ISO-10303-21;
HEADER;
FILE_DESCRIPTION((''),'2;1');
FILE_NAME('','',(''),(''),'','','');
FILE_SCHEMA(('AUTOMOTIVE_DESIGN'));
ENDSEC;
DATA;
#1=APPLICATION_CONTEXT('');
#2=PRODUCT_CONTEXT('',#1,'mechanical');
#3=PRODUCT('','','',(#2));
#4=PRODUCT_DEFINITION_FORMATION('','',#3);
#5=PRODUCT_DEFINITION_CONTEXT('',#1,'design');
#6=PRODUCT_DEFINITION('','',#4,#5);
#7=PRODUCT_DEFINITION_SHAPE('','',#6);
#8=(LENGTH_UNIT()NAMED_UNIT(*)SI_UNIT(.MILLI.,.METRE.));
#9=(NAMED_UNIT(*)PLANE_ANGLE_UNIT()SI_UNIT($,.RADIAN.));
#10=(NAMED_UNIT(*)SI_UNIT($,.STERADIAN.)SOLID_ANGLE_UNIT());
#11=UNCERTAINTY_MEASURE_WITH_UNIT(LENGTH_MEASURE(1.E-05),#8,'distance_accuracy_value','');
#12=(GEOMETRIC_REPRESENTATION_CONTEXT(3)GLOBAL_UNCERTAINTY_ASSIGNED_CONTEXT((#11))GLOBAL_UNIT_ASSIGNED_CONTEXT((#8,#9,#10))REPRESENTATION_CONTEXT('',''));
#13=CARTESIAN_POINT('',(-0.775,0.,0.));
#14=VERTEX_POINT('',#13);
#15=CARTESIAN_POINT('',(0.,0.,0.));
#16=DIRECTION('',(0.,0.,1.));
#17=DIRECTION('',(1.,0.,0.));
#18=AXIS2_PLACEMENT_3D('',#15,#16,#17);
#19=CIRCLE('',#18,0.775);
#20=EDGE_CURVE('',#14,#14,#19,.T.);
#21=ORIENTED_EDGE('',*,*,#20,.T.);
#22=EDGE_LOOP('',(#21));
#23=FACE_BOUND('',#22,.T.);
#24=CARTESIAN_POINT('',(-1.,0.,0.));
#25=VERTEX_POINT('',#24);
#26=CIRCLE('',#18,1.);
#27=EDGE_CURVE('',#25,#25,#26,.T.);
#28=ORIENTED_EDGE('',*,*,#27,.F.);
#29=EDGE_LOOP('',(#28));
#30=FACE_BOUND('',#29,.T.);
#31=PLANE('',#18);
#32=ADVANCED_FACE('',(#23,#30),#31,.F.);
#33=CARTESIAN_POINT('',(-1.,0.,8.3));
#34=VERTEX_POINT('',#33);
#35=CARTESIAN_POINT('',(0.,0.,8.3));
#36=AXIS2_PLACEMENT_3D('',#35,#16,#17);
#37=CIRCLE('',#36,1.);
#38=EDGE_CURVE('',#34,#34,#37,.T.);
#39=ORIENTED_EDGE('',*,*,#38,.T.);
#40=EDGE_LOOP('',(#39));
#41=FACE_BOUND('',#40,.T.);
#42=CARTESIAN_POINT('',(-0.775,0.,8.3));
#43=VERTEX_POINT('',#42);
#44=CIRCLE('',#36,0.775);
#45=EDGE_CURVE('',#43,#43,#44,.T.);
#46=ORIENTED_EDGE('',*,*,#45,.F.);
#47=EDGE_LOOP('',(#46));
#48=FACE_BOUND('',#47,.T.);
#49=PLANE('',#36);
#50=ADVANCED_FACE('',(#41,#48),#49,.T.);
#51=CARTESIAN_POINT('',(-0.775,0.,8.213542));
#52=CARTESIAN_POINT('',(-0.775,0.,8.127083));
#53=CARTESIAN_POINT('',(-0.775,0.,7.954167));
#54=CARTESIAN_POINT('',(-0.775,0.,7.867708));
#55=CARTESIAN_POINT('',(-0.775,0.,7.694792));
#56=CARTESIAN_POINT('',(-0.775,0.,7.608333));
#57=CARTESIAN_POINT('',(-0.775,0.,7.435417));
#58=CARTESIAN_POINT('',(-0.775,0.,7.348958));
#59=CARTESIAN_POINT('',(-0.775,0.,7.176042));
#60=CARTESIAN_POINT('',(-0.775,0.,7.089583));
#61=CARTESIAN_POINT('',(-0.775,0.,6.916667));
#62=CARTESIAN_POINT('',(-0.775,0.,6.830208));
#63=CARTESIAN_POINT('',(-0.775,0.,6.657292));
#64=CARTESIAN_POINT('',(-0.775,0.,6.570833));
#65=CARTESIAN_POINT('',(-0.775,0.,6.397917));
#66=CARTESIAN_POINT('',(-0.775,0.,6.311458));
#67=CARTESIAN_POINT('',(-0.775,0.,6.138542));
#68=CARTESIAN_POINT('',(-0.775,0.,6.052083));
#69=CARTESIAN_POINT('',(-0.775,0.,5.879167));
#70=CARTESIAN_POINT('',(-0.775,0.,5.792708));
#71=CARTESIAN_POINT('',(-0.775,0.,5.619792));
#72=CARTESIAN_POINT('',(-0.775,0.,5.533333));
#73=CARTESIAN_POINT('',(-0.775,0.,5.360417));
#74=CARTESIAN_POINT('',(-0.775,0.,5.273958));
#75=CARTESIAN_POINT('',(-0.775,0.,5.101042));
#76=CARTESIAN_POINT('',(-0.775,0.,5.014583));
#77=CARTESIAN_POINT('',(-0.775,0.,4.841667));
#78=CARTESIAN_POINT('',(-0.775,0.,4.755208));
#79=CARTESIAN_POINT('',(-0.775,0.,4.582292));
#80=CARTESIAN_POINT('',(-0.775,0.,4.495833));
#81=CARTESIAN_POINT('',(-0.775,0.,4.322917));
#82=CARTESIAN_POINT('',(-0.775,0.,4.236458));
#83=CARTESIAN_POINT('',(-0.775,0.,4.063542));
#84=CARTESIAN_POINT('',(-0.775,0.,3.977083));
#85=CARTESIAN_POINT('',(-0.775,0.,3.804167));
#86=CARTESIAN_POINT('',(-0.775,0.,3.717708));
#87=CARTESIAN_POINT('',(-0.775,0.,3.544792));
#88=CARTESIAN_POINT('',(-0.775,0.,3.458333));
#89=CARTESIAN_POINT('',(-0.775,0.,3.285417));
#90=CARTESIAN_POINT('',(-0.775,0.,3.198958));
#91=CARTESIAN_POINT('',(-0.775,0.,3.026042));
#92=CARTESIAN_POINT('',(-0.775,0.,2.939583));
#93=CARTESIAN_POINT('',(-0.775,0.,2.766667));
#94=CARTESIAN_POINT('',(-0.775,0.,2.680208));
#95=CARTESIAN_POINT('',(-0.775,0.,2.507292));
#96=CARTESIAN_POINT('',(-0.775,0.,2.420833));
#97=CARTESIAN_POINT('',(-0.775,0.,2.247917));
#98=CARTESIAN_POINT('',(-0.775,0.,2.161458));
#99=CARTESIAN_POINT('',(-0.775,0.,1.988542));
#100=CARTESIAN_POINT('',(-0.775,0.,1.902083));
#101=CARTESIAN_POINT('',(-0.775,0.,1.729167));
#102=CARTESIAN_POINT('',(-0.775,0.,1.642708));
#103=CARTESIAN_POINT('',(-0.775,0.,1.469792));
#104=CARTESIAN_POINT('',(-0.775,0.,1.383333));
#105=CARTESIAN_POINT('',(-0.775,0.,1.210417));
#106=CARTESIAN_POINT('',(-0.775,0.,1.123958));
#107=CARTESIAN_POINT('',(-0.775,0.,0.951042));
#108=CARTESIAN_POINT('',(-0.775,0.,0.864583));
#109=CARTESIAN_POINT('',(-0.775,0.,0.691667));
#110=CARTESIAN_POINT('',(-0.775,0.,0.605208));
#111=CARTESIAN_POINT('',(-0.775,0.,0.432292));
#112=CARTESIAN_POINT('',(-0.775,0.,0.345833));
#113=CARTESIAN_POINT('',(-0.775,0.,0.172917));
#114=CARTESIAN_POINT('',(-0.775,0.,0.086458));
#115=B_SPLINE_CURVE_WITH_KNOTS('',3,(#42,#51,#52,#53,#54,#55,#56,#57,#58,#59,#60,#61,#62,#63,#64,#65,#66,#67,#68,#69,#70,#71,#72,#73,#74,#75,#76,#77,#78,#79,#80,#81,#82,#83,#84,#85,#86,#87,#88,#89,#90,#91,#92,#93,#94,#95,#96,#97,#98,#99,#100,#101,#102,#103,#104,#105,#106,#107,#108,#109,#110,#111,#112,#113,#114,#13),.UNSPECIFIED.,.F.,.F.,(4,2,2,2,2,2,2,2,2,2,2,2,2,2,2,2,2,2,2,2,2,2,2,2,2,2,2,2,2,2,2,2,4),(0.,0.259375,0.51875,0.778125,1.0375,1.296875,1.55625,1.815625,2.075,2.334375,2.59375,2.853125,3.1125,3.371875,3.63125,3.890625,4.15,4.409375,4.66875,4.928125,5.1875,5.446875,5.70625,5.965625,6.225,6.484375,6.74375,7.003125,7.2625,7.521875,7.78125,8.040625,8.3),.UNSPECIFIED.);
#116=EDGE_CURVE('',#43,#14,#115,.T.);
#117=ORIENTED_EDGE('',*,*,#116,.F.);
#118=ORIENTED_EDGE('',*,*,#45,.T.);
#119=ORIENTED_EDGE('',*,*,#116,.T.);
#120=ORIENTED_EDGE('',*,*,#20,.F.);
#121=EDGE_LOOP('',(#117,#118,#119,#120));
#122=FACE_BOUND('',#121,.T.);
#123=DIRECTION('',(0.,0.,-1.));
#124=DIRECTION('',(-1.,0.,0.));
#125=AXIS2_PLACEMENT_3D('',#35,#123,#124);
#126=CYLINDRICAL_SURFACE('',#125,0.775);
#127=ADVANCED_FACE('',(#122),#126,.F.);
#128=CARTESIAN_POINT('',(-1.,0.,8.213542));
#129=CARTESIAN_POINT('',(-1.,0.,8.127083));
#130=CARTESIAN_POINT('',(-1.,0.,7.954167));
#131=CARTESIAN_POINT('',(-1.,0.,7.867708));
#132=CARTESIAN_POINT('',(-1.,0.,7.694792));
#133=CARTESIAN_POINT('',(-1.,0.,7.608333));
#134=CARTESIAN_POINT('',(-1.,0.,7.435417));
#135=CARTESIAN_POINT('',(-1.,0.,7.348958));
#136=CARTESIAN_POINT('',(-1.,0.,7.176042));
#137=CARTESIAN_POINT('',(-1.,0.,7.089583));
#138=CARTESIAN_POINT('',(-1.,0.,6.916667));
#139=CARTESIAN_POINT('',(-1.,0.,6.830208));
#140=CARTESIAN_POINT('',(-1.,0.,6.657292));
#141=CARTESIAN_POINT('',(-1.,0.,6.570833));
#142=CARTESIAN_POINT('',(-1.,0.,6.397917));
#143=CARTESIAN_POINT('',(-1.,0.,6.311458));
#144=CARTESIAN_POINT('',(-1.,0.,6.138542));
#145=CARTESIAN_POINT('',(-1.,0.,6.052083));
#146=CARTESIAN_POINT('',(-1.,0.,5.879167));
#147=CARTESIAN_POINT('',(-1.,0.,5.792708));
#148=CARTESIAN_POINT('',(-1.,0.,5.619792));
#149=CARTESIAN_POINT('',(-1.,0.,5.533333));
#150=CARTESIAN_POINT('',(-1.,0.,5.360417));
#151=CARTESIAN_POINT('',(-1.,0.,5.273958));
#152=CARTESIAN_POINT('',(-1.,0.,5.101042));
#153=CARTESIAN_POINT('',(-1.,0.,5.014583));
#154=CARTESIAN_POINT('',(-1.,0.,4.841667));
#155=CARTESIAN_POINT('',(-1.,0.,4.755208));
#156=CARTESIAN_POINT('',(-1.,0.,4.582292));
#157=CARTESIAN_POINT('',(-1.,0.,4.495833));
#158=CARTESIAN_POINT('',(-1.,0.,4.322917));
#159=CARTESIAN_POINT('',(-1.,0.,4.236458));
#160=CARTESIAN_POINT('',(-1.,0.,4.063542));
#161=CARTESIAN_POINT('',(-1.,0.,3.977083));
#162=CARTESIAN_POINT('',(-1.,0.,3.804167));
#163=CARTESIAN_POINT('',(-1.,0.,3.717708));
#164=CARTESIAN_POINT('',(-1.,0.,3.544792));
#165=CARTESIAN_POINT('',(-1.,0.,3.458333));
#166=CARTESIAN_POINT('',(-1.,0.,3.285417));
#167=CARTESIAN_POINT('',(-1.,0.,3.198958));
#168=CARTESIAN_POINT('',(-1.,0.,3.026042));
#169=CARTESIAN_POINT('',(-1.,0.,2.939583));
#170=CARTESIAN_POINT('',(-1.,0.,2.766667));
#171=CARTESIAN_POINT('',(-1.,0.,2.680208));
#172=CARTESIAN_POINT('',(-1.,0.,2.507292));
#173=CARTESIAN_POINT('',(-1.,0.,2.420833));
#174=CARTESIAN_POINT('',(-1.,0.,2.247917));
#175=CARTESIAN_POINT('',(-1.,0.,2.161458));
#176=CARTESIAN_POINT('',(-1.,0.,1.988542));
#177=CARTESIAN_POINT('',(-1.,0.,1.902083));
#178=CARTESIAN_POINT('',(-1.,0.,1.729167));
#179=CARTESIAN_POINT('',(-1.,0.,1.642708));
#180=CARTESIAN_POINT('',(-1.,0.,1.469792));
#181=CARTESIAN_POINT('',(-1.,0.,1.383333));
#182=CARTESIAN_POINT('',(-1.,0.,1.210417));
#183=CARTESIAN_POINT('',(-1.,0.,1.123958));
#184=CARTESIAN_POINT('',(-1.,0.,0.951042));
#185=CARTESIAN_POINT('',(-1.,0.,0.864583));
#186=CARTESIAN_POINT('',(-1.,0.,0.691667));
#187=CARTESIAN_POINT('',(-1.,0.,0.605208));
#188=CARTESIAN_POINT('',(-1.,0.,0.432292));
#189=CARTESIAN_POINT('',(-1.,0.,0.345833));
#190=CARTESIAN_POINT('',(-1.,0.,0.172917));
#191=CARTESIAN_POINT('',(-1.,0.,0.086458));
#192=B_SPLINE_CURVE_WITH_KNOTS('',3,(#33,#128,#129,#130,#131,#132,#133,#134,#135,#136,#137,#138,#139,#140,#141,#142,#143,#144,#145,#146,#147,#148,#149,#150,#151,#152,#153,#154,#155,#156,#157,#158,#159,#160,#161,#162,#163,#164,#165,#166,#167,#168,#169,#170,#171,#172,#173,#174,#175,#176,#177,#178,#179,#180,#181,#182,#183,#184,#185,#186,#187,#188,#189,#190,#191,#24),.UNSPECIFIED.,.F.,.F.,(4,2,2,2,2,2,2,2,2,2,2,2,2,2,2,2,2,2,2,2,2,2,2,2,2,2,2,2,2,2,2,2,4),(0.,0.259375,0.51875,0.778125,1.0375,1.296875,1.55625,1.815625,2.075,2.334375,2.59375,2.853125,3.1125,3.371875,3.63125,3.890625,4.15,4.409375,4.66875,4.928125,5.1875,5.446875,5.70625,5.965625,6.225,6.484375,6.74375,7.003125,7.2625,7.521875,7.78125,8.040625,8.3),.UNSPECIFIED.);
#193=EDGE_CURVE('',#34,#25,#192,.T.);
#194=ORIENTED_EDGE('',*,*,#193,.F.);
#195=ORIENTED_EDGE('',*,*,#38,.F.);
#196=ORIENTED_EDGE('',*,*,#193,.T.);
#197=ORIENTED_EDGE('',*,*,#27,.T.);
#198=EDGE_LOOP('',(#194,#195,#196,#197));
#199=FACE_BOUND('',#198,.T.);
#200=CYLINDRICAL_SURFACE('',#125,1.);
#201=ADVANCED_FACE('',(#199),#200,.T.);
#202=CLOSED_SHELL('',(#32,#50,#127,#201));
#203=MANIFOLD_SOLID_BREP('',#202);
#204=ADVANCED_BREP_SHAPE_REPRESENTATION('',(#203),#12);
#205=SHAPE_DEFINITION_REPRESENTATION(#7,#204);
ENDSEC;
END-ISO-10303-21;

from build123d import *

# Parameters (mm, degrees)
SKETCH_1_R      = 1
SKETCH_1_R_2    = 0.775
EXTRUDE_1_DEPTH = 8.3


with BuildPart() as part:
    # Эскиз1 → Бобышка-Вытянуть1 (new body)
    with BuildSketch(Plane.XY):
        with Locations(Location((0, 0, 0), (0, 0, 180))):
            Circle(SKETCH_1_R)
        with Locations(Location((0, 0, 0), (0, 0, 180))):
            Circle(SKETCH_1_R_2, mode=Mode.SUBTRACT)
    extrude(amount=EXTRUDE_1_DEPTH)


solid = part.part
